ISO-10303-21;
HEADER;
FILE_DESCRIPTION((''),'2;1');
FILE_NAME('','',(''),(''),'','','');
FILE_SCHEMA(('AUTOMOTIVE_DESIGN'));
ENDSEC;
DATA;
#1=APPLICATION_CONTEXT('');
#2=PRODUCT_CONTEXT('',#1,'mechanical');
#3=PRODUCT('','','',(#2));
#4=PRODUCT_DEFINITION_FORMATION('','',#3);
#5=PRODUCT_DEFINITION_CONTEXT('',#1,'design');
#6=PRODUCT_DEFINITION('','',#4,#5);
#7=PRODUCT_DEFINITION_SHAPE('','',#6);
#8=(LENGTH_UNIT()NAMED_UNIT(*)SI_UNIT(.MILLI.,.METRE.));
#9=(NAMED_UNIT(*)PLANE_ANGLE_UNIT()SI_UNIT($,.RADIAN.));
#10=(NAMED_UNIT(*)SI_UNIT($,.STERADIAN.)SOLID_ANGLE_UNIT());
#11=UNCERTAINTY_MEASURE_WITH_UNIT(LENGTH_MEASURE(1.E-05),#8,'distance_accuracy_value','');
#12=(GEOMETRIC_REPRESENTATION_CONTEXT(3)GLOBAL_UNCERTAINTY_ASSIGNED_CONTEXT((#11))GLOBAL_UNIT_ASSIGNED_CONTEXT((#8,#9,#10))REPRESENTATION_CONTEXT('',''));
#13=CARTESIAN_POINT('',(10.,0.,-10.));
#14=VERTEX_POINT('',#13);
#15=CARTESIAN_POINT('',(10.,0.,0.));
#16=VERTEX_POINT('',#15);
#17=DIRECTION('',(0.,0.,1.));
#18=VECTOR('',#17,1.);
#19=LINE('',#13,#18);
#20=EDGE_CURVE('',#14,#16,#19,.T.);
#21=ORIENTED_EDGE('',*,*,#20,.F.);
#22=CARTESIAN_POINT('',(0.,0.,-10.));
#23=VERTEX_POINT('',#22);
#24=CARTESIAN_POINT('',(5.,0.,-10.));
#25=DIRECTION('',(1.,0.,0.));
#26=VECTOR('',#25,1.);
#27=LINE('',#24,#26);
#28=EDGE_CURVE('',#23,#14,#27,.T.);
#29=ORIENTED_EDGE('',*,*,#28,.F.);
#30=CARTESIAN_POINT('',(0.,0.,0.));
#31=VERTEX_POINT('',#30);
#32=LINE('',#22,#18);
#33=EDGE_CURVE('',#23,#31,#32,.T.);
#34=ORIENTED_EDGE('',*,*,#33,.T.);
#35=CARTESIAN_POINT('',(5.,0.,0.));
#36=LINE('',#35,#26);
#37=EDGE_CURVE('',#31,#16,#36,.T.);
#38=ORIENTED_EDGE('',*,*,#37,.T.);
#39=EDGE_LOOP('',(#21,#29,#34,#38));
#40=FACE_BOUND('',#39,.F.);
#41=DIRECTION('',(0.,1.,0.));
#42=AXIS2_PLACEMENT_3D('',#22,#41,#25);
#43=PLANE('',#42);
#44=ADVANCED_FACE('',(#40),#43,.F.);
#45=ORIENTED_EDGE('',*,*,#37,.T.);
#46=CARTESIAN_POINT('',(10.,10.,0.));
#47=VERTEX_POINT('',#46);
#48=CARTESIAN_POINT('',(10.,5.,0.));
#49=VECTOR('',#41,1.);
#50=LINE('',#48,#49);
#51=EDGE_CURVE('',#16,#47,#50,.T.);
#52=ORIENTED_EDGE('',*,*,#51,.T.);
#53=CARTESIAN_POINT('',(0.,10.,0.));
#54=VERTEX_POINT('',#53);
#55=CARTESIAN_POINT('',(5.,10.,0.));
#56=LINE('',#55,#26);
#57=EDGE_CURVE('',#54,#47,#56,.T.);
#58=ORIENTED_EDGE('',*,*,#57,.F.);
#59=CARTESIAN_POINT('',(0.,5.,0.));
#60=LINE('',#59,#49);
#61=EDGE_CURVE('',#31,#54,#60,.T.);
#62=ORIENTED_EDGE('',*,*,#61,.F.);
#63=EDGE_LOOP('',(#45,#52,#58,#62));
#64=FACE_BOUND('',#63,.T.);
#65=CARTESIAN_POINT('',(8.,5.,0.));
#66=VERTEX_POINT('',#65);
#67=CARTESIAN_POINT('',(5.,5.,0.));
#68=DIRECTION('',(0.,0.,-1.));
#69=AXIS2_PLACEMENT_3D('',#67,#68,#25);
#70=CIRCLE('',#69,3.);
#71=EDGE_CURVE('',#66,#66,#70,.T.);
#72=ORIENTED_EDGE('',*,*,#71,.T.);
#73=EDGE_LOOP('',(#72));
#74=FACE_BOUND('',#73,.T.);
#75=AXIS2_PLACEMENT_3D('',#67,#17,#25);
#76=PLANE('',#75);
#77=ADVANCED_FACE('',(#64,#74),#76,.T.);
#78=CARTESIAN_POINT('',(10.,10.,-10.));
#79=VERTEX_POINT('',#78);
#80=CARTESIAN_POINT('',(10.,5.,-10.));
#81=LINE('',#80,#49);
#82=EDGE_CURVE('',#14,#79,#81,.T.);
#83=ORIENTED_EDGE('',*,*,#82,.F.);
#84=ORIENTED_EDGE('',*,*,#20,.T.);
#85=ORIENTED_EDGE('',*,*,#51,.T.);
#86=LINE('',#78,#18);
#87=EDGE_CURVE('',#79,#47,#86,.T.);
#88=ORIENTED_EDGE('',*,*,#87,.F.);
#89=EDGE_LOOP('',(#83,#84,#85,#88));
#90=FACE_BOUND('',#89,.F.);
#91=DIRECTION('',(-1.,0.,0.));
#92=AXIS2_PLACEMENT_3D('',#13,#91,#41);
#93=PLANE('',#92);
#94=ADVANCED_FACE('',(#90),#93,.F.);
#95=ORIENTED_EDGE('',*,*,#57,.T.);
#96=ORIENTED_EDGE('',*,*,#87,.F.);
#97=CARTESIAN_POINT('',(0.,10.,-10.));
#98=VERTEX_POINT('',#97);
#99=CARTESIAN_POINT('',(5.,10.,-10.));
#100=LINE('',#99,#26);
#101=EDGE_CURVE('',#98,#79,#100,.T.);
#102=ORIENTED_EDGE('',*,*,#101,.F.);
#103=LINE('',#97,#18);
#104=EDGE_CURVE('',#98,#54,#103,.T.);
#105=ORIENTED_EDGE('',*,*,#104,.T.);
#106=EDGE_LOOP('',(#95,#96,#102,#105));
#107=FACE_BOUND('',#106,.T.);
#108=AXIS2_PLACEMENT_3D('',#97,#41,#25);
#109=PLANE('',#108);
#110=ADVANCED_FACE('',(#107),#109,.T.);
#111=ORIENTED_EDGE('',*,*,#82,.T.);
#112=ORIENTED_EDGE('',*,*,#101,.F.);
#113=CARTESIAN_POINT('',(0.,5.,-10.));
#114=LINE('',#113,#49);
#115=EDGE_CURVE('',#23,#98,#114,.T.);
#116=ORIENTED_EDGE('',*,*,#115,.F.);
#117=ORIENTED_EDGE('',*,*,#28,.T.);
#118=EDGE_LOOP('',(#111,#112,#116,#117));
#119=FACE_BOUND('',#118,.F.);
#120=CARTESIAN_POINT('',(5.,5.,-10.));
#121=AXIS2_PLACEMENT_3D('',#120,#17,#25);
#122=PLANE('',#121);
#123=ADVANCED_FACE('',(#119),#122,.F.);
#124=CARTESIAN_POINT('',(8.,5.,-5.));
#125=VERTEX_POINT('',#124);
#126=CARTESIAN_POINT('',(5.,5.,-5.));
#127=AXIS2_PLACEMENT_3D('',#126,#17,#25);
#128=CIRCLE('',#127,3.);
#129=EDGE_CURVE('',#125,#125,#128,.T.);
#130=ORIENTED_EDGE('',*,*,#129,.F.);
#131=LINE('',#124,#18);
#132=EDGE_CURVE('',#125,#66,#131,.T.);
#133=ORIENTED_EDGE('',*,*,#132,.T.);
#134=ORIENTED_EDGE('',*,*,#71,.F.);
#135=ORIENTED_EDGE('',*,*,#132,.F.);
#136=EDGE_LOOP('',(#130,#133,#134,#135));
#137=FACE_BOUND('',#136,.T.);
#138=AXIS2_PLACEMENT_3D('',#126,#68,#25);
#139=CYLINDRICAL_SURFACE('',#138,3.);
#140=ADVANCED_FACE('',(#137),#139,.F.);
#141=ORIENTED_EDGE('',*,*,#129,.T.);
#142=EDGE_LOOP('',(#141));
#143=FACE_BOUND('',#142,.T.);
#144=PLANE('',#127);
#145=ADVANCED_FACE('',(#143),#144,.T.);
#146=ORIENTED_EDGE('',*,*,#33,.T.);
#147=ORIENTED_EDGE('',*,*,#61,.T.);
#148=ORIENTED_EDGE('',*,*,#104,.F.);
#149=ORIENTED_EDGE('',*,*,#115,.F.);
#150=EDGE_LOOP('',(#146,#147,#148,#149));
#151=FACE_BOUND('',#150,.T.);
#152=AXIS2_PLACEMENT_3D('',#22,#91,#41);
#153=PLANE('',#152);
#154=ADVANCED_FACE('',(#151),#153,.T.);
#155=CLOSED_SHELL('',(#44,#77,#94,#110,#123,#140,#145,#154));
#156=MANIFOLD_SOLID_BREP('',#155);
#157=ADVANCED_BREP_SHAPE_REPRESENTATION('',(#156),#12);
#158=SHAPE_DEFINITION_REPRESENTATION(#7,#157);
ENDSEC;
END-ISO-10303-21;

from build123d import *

# Parameters (mm, degrees)
CYLINDER_R     = 3
CYLINDER_DEPTH = 10
BOX_W          = 10
BOX_H          = 10
BOX_DEPTH      = 10


with BuildPart() as cylinder:
    # Cylinder → Cylinder (new body)
    with BuildSketch(Plane(origin=(5, 5, 5), x_dir=(1, 0, 0), z_dir=(0, 0, 1))):
        Circle(CYLINDER_R)
    extrude(amount=CYLINDER_DEPTH)


with BuildPart() as model_cut:
    # Box → Box (new body)
    with BuildSketch(Plane.XY):
        with Locations((5, 5)):
            Rectangle(BOX_W, BOX_H)
    extrude(amount=BOX_DEPTH)

    # Cut: cut Cylinder
    add(cylinder.part, mode=Mode.SUBTRACT)


with BuildPart() as model_cut_1:
    # Clone placement: moved
    add(model_cut.part.moved(Location((0, 0, -10))))


solid = model_cut_1.part
